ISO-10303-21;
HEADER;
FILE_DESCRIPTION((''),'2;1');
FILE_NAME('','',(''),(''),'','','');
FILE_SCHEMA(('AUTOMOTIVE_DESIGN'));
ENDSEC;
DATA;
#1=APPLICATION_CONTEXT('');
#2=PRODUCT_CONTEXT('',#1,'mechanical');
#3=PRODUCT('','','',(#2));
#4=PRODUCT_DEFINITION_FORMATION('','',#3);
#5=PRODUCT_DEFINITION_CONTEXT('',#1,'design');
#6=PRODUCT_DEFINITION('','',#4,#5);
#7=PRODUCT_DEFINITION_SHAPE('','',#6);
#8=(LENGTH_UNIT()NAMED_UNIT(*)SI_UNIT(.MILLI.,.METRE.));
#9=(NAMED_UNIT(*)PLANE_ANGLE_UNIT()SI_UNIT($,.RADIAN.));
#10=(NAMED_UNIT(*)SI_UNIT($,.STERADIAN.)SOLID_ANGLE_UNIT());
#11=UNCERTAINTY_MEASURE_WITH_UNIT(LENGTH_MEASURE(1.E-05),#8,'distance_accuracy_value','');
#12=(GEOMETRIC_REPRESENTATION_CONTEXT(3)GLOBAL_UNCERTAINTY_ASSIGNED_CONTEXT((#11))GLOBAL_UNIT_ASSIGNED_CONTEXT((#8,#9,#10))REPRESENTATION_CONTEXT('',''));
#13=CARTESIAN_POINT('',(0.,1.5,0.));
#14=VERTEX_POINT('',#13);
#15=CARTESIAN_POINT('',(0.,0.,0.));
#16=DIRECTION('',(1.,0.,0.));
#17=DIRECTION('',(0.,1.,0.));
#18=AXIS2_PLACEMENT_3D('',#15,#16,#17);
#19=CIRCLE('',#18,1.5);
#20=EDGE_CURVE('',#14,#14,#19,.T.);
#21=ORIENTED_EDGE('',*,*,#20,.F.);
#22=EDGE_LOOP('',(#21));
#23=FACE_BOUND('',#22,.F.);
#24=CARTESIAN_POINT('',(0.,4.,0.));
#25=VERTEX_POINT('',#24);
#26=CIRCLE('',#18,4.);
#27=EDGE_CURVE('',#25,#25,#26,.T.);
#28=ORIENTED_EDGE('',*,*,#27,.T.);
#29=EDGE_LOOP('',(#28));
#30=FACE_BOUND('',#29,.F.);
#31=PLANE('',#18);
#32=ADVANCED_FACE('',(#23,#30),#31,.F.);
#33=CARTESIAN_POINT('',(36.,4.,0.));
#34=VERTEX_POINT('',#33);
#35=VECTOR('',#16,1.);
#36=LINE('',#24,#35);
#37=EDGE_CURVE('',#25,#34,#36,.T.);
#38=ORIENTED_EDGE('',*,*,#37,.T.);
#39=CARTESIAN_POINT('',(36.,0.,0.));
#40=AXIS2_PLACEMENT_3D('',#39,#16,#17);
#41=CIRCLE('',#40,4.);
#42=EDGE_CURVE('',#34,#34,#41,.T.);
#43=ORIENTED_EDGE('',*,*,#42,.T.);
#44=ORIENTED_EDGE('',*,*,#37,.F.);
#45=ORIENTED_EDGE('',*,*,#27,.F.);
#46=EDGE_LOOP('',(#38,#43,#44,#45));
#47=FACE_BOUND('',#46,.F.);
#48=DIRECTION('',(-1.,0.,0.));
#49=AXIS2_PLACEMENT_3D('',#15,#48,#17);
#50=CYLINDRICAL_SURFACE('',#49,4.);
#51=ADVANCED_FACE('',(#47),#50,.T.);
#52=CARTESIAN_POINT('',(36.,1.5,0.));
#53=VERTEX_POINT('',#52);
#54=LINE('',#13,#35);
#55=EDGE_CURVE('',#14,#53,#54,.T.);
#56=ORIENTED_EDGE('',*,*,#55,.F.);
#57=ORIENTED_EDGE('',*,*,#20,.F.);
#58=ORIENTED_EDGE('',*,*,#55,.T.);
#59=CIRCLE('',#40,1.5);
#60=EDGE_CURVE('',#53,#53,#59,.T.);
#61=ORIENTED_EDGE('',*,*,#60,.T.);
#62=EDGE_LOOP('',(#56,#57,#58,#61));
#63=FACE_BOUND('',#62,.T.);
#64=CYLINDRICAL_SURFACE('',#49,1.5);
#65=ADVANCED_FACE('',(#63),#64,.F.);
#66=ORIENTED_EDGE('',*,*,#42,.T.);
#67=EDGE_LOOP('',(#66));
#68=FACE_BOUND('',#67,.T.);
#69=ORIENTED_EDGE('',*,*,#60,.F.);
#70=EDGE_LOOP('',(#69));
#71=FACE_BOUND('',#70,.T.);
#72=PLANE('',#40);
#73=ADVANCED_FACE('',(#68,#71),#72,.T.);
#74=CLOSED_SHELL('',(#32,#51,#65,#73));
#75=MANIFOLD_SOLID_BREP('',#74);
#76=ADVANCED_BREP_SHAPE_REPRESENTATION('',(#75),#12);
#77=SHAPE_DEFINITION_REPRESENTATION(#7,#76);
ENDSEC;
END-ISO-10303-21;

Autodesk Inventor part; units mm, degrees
ref_plane "YZ Plane" through (0, 0, 0) normal (1, 0, 0) x (0, 1, 0)
ref_plane "XZ Plane" through (0, 0, 0) normal (0, 1, 0) x (-1, 0, 0)
ref_plane "XY Plane" through (0, 0, 0) normal (0, 0, 1) x (1, 0, 0)
sketch "スケッチ1" plane through (0, 0, 0) normal (1, 0, 0) x (0, 1, 0)
  circle A0 centre (0, 0) radius 4
  circle A1 centre (0, 0) radius 1.5
  dimension "d0" = 3
  dimension "d1" = 8
extrude "押し出し1" add sketch "スケッチ1" along normal blind 36
properties part number "Tube_Hub"
